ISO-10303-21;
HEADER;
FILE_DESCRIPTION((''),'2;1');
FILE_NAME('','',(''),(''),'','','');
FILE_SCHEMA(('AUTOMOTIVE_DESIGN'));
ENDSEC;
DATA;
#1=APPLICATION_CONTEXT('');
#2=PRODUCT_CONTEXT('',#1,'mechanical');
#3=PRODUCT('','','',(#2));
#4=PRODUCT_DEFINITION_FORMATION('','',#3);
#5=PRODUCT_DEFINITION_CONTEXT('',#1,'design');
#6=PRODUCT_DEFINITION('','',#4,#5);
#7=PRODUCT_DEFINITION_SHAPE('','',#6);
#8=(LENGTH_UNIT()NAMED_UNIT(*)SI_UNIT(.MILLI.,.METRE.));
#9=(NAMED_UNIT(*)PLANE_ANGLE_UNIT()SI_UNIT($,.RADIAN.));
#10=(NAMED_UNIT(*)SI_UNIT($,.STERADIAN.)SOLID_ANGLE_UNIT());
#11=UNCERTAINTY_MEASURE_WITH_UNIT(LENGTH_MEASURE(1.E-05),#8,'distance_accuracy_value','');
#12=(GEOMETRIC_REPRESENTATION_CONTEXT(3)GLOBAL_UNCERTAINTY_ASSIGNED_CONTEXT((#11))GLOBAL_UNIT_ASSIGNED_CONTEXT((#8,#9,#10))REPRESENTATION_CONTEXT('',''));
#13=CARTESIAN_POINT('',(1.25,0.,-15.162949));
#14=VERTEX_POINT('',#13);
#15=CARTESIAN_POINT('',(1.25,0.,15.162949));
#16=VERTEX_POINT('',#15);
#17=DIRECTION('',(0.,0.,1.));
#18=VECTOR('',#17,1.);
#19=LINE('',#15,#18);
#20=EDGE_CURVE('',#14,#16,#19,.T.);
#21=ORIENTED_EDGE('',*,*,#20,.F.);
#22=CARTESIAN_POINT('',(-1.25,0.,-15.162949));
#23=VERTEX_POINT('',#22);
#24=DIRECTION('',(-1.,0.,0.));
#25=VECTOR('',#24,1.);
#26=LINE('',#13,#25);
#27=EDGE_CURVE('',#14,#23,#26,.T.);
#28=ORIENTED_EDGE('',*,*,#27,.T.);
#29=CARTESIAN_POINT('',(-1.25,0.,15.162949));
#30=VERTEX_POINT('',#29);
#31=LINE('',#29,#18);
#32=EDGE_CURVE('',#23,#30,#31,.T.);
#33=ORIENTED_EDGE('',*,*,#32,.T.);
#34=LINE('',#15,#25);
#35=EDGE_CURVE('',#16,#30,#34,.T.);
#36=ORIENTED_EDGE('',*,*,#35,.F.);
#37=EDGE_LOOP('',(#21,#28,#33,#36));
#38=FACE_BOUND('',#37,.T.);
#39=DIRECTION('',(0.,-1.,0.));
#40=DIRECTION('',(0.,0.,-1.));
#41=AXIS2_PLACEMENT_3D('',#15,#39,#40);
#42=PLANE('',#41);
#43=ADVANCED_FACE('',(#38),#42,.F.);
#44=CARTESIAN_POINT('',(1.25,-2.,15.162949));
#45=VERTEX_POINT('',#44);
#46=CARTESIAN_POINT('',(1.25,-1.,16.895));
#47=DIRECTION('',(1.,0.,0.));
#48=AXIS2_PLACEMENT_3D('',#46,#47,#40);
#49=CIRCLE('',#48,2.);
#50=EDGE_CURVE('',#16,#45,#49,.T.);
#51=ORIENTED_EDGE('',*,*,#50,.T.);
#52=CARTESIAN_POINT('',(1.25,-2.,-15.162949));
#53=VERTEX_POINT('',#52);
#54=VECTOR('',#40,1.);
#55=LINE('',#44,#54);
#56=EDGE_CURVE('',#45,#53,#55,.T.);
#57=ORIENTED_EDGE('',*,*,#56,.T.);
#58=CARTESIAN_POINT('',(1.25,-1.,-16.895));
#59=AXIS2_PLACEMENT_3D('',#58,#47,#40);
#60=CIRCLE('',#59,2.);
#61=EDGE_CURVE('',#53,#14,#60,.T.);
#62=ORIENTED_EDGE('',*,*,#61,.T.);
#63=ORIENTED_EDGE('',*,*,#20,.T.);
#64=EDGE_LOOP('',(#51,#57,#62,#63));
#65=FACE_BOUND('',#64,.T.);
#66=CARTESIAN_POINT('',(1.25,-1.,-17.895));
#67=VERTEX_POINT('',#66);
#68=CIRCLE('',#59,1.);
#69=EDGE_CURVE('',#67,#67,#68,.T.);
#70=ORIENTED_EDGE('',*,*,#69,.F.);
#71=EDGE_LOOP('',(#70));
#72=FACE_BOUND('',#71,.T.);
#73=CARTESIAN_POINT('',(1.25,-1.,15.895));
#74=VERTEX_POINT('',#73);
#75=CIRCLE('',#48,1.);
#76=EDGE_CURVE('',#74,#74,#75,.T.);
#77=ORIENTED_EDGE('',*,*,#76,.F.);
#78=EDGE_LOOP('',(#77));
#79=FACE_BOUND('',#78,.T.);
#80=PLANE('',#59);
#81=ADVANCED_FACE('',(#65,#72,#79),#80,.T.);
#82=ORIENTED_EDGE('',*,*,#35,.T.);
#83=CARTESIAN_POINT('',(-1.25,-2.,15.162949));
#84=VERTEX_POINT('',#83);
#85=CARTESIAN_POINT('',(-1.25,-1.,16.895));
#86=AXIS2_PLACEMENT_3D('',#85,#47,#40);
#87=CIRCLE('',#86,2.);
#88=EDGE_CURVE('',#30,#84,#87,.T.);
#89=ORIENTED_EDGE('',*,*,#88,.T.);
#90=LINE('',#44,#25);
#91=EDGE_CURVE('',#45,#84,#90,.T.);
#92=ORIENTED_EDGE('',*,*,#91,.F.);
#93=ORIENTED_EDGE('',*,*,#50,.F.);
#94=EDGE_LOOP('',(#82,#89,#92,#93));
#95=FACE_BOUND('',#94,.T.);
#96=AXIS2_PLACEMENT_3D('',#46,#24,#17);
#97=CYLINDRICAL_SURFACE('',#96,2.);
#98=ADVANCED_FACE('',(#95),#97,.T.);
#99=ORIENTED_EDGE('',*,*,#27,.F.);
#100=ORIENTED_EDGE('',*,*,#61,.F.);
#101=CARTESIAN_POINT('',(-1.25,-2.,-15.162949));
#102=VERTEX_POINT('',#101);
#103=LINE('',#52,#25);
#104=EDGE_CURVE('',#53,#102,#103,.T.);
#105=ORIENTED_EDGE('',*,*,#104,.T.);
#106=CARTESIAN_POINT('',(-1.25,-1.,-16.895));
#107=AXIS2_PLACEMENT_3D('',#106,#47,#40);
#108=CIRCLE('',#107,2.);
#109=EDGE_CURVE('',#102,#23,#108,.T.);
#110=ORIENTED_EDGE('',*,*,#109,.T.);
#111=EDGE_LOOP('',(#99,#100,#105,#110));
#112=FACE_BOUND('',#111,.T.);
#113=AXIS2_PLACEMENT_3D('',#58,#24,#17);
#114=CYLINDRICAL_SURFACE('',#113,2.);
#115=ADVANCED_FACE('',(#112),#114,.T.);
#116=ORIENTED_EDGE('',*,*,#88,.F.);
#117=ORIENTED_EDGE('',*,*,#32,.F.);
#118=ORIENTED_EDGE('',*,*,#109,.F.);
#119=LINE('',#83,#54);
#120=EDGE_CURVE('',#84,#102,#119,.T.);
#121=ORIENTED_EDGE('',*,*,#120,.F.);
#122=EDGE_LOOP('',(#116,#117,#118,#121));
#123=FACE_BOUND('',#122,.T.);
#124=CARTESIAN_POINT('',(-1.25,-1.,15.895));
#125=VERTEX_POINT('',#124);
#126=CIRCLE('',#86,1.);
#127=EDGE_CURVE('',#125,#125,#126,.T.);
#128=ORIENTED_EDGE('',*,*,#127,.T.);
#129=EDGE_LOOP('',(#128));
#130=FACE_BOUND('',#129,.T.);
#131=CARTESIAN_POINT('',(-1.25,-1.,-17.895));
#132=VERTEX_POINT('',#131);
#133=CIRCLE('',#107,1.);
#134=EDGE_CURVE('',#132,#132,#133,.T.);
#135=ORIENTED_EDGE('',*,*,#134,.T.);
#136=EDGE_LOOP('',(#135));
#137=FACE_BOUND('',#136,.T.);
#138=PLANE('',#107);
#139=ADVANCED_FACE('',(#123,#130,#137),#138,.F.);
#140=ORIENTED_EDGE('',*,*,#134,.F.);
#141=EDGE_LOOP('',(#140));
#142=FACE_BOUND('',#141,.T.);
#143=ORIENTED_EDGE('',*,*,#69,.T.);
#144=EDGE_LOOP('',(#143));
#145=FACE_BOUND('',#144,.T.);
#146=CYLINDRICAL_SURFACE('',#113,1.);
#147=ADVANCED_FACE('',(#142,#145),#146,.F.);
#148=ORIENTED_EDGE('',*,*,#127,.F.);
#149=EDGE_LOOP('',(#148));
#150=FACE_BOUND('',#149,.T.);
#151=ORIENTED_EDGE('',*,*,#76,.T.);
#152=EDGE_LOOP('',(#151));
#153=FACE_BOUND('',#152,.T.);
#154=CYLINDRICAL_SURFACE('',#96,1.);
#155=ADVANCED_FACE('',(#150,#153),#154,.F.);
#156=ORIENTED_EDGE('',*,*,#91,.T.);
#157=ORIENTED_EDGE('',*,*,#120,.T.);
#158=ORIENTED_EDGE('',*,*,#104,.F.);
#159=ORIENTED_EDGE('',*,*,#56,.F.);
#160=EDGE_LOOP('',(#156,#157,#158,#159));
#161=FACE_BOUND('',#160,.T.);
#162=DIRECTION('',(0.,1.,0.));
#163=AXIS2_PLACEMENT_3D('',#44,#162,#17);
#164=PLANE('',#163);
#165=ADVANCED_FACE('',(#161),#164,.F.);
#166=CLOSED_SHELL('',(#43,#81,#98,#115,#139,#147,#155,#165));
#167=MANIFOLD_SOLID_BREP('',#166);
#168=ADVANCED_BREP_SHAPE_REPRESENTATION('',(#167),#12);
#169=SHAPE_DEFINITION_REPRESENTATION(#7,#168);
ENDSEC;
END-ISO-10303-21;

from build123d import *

# Parameters (mm, degrees)
SKETCH1_R           = 1
BOSS_EXTRUDE1_DEPTH = 1.25


with BuildPart() as part:
    # Sketch1 → Boss-Extrude1 (new body, symmetric)
    with BuildSketch(Plane(origin=(0, 0, 0), x_dir=(0, 0, -1), z_dir=(1, 0, 0))):
        with BuildLine():
            Line((-15.162949192, -2), (15.162949192, -2))
            ThreePointArc((15.162949192, -2), (18.895, -1), (15.162949192, 0))
            Line((15.162949192, 0), (-15.162949192, 0))
            ThreePointArc((-15.162949192, 0), (-18.895, -1), (-15.162949192, -2))
        make_face()
        with Locations((-16.895, -1)):
            Circle(SKETCH1_R, mode=Mode.SUBTRACT)
        with Locations((16.895, -1)):
            Circle(SKETCH1_R, mode=Mode.SUBTRACT)
    extrude(amount=BOSS_EXTRUDE1_DEPTH, both=True)


solid = part.part
